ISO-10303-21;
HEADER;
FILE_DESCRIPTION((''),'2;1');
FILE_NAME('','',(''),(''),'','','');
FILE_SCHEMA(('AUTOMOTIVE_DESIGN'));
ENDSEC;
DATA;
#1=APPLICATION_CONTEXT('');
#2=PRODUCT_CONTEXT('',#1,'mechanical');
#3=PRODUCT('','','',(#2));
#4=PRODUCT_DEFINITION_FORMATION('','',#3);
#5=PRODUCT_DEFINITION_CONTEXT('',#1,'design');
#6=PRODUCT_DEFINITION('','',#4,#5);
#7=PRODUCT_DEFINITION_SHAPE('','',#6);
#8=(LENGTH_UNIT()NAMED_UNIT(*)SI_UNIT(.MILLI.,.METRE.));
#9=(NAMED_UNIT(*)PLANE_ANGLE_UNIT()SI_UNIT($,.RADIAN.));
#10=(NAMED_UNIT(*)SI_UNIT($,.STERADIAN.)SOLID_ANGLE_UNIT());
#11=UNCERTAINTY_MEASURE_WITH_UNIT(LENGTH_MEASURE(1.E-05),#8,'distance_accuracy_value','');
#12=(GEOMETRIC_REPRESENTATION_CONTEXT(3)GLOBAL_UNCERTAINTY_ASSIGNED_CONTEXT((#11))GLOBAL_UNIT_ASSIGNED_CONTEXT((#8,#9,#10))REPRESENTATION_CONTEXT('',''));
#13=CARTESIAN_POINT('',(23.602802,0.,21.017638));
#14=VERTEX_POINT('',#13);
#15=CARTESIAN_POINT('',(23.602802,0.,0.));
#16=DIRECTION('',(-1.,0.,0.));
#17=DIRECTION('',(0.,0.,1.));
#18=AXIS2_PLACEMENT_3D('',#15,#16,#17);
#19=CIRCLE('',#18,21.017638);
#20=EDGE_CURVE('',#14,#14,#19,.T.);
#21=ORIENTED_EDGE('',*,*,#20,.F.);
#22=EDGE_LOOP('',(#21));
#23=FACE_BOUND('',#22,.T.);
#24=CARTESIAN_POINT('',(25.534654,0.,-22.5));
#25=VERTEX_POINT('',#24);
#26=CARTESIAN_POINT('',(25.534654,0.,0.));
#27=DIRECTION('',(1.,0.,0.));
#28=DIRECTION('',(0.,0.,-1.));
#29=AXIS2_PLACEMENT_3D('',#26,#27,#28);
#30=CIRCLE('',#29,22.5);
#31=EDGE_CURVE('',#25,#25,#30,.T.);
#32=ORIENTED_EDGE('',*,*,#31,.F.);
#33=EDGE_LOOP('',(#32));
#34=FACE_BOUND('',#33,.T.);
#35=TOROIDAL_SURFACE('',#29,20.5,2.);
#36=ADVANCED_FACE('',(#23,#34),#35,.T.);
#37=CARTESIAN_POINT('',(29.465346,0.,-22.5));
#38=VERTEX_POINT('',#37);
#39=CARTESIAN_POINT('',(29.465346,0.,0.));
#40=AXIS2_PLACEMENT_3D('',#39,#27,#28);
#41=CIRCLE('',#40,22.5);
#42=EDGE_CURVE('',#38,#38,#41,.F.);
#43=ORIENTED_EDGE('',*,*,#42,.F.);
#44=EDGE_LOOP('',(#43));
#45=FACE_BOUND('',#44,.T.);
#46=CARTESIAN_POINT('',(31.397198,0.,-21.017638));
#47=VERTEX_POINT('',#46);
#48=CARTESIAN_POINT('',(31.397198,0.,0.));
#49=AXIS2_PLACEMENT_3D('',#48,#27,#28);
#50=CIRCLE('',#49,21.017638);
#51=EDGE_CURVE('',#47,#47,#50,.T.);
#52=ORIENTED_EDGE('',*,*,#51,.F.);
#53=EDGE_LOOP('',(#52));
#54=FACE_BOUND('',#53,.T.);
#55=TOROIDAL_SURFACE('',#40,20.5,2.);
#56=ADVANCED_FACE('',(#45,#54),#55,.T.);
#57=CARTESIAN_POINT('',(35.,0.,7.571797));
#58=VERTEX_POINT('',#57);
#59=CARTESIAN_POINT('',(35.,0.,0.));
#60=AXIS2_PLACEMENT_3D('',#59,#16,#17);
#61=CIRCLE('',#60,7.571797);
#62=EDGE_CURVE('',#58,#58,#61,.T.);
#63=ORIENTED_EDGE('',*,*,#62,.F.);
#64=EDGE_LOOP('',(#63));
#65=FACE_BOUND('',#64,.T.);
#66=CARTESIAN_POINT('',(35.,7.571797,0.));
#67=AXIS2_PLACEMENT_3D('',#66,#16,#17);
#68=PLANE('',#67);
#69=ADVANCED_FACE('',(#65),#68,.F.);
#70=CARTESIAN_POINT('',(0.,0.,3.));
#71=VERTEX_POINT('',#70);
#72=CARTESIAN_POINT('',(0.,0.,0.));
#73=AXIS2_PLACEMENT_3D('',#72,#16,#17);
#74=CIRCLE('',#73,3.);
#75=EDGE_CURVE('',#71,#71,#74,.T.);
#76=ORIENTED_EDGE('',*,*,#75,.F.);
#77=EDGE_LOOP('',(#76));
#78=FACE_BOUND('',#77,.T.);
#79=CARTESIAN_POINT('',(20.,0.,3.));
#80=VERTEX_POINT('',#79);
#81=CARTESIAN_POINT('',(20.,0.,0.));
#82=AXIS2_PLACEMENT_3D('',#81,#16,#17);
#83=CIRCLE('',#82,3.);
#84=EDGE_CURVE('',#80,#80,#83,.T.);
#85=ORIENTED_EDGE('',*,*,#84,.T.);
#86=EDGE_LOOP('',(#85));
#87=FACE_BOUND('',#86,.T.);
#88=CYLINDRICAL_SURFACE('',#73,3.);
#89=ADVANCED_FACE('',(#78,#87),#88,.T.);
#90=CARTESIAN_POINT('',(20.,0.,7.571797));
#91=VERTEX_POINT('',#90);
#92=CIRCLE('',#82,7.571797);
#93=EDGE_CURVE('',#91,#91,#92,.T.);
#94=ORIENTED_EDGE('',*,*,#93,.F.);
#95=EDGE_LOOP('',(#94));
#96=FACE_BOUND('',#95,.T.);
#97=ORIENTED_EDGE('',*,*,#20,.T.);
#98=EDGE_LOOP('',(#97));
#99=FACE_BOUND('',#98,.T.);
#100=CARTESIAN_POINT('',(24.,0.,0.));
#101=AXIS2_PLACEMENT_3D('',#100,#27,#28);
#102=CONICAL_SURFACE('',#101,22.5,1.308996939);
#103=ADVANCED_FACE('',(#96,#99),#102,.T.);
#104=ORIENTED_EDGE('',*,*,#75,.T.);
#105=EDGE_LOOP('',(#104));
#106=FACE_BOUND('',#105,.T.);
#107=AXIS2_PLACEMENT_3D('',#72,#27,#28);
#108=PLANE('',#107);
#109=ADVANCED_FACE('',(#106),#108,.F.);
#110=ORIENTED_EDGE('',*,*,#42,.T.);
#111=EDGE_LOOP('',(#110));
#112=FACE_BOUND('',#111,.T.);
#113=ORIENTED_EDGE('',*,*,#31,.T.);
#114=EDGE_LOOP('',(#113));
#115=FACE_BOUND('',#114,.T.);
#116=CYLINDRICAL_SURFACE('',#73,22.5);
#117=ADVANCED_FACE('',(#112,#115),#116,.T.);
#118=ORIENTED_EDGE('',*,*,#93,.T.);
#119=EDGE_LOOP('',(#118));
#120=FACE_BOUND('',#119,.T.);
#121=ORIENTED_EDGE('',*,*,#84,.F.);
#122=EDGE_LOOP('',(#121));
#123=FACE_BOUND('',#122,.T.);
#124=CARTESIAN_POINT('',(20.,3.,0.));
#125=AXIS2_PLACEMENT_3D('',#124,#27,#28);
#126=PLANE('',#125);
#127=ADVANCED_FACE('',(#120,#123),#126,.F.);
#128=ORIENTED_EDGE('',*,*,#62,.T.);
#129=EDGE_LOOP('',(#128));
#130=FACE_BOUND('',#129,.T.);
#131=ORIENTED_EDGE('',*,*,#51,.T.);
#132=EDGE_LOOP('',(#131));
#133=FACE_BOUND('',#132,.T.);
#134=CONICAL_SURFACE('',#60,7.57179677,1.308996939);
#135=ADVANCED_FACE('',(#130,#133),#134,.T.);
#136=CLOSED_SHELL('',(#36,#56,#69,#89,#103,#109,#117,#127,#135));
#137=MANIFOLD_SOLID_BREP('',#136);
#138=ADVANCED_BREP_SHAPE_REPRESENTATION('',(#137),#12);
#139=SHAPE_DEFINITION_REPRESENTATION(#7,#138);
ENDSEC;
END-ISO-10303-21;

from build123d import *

# Parameters (mm, degrees)
FILLET_1_R = 2


with BuildPart() as part:
    # Эскиз1 → Повернуть1 (revolve)
    with BuildSketch(Plane.XY, mode=Mode.PRIVATE) as revolve_1_sk:
        Polygon((0, 0), (0, 3), (20, 3), (20, 7.57179677), (24, 22.5), (31, 22.5), (35, 7.57179677), (35, 0), (26, 0), align=None)
    revolve(revolve_1_sk.sketch.rotate(Axis((0, 0, 0), (1, 0, 0)), 90), axis=Axis((0, 0, 0), (1, 0, 0)))

    # Скругление1
    fillet_1_edges = [part.edges().sort_by_distance(p)[0] for p in [
        (31, 0, -22.5),
        (24, 0, -22.5),
    ]]
    fillet(fillet_1_edges, radius=FILLET_1_R)


solid = part.part
